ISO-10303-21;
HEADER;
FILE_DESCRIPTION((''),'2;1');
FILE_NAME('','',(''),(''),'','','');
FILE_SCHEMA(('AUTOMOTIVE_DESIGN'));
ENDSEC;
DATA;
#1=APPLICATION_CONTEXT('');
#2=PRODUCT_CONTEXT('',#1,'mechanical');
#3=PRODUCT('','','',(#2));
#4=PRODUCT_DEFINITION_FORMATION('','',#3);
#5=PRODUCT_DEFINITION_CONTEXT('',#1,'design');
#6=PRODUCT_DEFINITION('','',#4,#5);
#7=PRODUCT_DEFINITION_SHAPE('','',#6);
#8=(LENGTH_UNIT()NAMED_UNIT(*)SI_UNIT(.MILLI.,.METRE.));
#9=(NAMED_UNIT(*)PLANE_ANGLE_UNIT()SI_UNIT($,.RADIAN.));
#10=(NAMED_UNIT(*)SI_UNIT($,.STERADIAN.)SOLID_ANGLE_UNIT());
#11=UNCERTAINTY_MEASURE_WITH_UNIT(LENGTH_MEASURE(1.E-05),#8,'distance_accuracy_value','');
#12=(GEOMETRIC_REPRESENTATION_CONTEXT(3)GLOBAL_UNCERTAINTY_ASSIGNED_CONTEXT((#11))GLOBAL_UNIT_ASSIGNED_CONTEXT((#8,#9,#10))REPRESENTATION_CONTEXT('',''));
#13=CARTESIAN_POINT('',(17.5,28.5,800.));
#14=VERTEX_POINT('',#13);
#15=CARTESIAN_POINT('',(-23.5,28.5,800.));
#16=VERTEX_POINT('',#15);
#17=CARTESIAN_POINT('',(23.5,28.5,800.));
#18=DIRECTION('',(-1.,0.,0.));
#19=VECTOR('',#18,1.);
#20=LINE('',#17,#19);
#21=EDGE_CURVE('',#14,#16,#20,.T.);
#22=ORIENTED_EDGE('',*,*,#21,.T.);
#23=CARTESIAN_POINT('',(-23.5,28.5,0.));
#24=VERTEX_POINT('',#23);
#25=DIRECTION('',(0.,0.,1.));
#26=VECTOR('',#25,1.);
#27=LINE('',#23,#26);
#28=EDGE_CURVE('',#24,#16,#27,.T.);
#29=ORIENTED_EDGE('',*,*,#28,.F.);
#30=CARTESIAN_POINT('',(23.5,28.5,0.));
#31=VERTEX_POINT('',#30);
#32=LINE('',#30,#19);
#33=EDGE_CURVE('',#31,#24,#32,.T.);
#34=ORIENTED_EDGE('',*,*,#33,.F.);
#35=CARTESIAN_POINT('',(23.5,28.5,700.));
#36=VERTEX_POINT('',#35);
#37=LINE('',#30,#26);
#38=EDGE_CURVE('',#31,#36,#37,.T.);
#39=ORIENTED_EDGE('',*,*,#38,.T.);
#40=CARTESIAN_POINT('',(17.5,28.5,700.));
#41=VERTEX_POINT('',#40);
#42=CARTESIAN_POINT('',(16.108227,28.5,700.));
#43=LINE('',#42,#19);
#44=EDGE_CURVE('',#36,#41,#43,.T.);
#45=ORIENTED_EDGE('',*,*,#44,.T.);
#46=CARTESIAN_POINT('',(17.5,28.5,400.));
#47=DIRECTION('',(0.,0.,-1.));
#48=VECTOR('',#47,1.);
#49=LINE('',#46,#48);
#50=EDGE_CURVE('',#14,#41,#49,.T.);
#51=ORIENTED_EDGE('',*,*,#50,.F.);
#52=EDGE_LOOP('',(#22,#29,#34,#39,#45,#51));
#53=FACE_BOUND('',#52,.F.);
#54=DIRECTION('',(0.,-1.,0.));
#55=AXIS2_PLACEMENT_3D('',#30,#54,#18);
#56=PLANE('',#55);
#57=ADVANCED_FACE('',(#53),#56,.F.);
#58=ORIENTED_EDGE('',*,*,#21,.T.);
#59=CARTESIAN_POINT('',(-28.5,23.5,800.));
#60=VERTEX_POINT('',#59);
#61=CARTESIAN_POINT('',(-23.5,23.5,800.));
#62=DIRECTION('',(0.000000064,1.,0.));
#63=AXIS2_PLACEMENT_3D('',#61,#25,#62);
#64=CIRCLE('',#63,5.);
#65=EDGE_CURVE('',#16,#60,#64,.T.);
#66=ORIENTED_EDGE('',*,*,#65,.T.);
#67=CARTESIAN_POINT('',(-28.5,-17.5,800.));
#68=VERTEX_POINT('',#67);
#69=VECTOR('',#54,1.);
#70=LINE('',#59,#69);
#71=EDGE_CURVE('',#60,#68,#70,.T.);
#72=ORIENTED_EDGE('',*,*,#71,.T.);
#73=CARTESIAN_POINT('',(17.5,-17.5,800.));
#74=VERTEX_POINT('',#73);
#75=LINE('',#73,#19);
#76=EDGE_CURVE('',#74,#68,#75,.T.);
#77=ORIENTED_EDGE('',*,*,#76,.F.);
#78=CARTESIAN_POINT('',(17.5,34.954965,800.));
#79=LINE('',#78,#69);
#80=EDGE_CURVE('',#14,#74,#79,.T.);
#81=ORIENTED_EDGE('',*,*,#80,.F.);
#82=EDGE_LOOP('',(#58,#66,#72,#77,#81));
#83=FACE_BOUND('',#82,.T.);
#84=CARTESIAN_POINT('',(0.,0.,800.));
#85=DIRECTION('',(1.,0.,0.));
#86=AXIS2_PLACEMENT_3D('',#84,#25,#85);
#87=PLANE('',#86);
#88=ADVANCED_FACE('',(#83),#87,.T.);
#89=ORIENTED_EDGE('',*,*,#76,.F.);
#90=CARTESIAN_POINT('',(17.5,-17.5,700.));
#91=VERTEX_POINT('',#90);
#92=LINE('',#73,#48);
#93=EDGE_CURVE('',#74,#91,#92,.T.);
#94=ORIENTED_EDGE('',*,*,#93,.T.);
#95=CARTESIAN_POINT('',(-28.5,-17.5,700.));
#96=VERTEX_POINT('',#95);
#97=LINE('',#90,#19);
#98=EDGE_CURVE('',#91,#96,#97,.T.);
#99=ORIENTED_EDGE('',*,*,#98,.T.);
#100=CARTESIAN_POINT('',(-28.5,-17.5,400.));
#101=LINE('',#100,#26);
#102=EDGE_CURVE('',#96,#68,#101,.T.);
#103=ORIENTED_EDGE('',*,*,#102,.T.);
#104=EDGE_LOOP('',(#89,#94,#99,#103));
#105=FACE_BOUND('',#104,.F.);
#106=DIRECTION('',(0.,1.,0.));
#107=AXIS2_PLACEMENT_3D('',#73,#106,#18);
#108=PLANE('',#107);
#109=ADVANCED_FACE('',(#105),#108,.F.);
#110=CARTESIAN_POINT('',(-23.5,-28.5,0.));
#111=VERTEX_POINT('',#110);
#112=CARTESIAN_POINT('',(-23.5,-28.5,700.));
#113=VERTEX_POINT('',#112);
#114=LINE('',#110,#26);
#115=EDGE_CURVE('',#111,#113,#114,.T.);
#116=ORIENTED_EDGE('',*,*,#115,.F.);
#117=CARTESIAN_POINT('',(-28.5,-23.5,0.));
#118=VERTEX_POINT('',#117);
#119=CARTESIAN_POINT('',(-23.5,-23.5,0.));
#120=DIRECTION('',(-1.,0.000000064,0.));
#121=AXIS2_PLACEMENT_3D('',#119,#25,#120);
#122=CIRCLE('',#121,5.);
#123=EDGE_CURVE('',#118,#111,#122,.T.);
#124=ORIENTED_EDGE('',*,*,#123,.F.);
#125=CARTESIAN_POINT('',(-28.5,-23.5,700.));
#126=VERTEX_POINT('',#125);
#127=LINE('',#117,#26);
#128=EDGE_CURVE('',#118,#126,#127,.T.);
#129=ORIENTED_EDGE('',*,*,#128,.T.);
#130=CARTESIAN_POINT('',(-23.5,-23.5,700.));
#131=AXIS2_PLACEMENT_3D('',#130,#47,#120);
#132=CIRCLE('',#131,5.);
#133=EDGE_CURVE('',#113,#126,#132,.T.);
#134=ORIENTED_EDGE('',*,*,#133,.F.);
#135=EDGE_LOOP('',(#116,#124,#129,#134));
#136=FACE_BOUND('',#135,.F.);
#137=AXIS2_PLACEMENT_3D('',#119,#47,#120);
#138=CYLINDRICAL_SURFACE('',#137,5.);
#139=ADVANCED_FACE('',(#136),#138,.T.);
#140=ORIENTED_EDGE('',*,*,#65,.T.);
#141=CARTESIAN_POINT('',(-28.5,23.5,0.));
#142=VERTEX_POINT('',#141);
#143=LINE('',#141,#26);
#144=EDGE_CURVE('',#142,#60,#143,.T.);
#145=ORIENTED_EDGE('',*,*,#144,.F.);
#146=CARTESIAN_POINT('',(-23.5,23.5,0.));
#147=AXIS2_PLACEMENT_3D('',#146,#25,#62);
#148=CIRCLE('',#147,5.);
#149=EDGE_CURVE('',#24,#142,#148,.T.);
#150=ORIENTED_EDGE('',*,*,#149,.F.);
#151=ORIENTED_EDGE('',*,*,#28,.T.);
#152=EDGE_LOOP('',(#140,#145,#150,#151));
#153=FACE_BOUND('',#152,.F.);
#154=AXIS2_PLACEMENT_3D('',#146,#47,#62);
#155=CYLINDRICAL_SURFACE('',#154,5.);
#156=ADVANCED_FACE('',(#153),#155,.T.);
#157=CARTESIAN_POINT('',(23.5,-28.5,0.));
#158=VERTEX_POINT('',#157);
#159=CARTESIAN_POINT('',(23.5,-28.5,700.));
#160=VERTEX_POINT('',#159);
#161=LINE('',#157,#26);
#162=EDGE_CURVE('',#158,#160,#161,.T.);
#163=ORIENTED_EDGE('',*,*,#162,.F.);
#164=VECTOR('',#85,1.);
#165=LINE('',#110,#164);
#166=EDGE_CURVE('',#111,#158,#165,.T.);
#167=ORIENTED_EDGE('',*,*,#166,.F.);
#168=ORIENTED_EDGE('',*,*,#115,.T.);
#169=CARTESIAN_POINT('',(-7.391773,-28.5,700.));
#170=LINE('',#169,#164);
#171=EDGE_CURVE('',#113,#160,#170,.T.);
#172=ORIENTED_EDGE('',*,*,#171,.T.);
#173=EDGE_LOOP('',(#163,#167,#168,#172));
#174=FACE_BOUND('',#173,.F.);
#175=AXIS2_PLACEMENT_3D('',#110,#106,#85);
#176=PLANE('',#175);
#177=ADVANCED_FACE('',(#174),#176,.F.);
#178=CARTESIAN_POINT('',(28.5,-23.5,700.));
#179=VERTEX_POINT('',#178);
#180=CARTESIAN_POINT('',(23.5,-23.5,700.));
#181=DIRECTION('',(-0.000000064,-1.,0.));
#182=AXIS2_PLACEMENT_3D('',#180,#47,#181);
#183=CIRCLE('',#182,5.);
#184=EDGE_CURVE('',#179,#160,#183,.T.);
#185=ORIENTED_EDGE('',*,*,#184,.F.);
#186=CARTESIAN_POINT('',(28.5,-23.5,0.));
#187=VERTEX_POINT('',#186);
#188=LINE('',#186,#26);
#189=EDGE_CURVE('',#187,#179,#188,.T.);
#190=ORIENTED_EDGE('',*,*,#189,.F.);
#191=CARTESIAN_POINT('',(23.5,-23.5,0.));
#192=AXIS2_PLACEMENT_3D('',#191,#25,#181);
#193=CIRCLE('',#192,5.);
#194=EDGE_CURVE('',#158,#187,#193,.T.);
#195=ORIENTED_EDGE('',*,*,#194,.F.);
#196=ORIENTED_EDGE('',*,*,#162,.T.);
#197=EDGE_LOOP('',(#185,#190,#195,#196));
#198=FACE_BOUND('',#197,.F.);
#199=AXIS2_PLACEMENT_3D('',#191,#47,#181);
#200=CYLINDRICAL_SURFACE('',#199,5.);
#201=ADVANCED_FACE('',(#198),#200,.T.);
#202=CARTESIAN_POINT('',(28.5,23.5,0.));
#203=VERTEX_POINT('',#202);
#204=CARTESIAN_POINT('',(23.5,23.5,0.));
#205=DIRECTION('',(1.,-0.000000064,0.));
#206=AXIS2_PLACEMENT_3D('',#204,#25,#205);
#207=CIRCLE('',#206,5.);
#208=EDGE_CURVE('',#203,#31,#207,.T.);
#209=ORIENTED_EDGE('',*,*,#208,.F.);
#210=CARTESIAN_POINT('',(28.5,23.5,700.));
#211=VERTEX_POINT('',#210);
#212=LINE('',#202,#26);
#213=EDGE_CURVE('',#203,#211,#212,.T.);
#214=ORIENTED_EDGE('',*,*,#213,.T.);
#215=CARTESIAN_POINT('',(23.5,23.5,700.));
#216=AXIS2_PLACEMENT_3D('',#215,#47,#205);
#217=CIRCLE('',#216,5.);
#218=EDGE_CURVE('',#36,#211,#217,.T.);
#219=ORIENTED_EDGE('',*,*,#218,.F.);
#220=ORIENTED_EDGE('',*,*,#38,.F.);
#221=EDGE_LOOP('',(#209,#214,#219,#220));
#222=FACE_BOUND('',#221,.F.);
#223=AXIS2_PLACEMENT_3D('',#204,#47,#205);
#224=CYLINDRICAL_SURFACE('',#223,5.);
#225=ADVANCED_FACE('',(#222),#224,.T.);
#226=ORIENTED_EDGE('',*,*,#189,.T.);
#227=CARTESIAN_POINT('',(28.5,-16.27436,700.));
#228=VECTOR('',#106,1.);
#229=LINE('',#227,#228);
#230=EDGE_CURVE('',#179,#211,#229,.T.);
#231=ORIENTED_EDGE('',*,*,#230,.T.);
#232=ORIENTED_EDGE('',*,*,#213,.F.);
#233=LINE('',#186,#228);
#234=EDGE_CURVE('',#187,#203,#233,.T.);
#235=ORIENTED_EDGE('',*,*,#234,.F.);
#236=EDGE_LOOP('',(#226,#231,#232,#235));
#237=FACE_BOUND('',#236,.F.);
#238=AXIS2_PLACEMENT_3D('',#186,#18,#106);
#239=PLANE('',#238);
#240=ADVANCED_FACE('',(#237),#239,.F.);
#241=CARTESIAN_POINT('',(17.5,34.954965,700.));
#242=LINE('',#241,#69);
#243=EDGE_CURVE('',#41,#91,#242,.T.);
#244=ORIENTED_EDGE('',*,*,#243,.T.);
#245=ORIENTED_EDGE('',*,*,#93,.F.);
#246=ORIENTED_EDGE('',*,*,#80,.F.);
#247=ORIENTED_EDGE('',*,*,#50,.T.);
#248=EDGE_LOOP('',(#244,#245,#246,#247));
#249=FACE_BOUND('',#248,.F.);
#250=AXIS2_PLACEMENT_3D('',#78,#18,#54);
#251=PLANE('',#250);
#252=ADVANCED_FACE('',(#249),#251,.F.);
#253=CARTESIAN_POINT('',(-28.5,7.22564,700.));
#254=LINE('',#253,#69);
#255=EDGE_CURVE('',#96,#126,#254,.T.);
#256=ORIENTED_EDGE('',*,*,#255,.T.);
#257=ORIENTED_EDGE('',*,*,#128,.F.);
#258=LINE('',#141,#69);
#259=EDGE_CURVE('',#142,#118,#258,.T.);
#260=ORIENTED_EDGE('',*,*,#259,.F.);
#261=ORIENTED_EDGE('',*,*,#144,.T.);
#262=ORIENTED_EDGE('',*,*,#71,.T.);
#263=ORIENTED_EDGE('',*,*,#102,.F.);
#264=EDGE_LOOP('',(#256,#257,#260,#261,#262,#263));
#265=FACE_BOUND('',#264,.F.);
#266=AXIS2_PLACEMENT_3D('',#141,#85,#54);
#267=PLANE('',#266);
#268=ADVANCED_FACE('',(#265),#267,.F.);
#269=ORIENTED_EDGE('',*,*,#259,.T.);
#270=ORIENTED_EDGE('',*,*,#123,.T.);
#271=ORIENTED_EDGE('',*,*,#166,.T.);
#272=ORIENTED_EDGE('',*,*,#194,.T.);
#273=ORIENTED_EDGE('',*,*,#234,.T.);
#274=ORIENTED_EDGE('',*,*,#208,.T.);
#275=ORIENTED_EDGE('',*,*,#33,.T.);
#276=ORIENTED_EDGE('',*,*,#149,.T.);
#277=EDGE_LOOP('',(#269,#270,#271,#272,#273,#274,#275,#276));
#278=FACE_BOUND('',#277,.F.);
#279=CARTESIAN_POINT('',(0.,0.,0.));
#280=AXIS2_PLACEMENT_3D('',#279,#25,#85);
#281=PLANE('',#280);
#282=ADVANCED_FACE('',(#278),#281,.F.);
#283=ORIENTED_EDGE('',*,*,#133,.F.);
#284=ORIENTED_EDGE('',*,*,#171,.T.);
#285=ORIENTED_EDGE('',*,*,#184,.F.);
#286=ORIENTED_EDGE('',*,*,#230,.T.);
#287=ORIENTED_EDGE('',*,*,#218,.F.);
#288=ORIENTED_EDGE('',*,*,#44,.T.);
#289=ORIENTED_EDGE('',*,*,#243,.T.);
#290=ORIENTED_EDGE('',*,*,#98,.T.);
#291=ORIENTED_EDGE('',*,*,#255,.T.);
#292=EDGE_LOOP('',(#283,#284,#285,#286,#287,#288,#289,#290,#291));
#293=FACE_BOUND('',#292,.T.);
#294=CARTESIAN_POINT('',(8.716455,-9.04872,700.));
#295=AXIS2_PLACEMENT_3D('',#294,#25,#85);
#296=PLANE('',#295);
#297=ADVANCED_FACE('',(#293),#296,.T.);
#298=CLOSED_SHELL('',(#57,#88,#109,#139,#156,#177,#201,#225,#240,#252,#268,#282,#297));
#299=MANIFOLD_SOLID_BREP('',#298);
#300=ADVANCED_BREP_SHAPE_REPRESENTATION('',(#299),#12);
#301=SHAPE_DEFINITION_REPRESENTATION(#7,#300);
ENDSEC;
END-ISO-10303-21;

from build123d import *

# Parameters (mm, degrees)
F1_DEPTH = 800
F3_DEPTH = 100


with BuildPart() as f1:
    # F0 (on Top) → F1 (new body)
    with BuildSketch(Plane.XY):
        with BuildLine():
            Line((23.5, 28.5), (-23.5, 28.5))
            ThreePointArc((-23.5, 28.5), (-27.035534, 27.035534), (-28.5, 23.5))
            Line((-28.5, 23.5), (-28.5, -23.5))
            ThreePointArc((-28.5, -23.5), (-27.035534, -27.035534), (-23.5, -28.5))
            Line((-23.5, -28.5), (23.5, -28.5))
            ThreePointArc((23.5, -28.5), (27.035534, -27.035534), (28.5, -23.5))
            Line((28.5, -23.5), (28.5, 23.5))
            ThreePointArc((28.5, 23.5), (27.035534, 27.035534), (23.5, 28.5))
        make_face()
    extrude(amount=F1_DEPTH)

    # F2 (on face) → F3 (cut)
    with BuildSketch(Plane.XY.offset(800)):
        Polygon((-35.619496, -17.5), (-35.619496, -32.5), (32.5, -32.5), (32.5, 34.954965), (17.5, 34.954965), (17.5, -17.5), align=None)
    extrude(amount=-F3_DEPTH, mode=Mode.SUBTRACT)


solid = f1.part
